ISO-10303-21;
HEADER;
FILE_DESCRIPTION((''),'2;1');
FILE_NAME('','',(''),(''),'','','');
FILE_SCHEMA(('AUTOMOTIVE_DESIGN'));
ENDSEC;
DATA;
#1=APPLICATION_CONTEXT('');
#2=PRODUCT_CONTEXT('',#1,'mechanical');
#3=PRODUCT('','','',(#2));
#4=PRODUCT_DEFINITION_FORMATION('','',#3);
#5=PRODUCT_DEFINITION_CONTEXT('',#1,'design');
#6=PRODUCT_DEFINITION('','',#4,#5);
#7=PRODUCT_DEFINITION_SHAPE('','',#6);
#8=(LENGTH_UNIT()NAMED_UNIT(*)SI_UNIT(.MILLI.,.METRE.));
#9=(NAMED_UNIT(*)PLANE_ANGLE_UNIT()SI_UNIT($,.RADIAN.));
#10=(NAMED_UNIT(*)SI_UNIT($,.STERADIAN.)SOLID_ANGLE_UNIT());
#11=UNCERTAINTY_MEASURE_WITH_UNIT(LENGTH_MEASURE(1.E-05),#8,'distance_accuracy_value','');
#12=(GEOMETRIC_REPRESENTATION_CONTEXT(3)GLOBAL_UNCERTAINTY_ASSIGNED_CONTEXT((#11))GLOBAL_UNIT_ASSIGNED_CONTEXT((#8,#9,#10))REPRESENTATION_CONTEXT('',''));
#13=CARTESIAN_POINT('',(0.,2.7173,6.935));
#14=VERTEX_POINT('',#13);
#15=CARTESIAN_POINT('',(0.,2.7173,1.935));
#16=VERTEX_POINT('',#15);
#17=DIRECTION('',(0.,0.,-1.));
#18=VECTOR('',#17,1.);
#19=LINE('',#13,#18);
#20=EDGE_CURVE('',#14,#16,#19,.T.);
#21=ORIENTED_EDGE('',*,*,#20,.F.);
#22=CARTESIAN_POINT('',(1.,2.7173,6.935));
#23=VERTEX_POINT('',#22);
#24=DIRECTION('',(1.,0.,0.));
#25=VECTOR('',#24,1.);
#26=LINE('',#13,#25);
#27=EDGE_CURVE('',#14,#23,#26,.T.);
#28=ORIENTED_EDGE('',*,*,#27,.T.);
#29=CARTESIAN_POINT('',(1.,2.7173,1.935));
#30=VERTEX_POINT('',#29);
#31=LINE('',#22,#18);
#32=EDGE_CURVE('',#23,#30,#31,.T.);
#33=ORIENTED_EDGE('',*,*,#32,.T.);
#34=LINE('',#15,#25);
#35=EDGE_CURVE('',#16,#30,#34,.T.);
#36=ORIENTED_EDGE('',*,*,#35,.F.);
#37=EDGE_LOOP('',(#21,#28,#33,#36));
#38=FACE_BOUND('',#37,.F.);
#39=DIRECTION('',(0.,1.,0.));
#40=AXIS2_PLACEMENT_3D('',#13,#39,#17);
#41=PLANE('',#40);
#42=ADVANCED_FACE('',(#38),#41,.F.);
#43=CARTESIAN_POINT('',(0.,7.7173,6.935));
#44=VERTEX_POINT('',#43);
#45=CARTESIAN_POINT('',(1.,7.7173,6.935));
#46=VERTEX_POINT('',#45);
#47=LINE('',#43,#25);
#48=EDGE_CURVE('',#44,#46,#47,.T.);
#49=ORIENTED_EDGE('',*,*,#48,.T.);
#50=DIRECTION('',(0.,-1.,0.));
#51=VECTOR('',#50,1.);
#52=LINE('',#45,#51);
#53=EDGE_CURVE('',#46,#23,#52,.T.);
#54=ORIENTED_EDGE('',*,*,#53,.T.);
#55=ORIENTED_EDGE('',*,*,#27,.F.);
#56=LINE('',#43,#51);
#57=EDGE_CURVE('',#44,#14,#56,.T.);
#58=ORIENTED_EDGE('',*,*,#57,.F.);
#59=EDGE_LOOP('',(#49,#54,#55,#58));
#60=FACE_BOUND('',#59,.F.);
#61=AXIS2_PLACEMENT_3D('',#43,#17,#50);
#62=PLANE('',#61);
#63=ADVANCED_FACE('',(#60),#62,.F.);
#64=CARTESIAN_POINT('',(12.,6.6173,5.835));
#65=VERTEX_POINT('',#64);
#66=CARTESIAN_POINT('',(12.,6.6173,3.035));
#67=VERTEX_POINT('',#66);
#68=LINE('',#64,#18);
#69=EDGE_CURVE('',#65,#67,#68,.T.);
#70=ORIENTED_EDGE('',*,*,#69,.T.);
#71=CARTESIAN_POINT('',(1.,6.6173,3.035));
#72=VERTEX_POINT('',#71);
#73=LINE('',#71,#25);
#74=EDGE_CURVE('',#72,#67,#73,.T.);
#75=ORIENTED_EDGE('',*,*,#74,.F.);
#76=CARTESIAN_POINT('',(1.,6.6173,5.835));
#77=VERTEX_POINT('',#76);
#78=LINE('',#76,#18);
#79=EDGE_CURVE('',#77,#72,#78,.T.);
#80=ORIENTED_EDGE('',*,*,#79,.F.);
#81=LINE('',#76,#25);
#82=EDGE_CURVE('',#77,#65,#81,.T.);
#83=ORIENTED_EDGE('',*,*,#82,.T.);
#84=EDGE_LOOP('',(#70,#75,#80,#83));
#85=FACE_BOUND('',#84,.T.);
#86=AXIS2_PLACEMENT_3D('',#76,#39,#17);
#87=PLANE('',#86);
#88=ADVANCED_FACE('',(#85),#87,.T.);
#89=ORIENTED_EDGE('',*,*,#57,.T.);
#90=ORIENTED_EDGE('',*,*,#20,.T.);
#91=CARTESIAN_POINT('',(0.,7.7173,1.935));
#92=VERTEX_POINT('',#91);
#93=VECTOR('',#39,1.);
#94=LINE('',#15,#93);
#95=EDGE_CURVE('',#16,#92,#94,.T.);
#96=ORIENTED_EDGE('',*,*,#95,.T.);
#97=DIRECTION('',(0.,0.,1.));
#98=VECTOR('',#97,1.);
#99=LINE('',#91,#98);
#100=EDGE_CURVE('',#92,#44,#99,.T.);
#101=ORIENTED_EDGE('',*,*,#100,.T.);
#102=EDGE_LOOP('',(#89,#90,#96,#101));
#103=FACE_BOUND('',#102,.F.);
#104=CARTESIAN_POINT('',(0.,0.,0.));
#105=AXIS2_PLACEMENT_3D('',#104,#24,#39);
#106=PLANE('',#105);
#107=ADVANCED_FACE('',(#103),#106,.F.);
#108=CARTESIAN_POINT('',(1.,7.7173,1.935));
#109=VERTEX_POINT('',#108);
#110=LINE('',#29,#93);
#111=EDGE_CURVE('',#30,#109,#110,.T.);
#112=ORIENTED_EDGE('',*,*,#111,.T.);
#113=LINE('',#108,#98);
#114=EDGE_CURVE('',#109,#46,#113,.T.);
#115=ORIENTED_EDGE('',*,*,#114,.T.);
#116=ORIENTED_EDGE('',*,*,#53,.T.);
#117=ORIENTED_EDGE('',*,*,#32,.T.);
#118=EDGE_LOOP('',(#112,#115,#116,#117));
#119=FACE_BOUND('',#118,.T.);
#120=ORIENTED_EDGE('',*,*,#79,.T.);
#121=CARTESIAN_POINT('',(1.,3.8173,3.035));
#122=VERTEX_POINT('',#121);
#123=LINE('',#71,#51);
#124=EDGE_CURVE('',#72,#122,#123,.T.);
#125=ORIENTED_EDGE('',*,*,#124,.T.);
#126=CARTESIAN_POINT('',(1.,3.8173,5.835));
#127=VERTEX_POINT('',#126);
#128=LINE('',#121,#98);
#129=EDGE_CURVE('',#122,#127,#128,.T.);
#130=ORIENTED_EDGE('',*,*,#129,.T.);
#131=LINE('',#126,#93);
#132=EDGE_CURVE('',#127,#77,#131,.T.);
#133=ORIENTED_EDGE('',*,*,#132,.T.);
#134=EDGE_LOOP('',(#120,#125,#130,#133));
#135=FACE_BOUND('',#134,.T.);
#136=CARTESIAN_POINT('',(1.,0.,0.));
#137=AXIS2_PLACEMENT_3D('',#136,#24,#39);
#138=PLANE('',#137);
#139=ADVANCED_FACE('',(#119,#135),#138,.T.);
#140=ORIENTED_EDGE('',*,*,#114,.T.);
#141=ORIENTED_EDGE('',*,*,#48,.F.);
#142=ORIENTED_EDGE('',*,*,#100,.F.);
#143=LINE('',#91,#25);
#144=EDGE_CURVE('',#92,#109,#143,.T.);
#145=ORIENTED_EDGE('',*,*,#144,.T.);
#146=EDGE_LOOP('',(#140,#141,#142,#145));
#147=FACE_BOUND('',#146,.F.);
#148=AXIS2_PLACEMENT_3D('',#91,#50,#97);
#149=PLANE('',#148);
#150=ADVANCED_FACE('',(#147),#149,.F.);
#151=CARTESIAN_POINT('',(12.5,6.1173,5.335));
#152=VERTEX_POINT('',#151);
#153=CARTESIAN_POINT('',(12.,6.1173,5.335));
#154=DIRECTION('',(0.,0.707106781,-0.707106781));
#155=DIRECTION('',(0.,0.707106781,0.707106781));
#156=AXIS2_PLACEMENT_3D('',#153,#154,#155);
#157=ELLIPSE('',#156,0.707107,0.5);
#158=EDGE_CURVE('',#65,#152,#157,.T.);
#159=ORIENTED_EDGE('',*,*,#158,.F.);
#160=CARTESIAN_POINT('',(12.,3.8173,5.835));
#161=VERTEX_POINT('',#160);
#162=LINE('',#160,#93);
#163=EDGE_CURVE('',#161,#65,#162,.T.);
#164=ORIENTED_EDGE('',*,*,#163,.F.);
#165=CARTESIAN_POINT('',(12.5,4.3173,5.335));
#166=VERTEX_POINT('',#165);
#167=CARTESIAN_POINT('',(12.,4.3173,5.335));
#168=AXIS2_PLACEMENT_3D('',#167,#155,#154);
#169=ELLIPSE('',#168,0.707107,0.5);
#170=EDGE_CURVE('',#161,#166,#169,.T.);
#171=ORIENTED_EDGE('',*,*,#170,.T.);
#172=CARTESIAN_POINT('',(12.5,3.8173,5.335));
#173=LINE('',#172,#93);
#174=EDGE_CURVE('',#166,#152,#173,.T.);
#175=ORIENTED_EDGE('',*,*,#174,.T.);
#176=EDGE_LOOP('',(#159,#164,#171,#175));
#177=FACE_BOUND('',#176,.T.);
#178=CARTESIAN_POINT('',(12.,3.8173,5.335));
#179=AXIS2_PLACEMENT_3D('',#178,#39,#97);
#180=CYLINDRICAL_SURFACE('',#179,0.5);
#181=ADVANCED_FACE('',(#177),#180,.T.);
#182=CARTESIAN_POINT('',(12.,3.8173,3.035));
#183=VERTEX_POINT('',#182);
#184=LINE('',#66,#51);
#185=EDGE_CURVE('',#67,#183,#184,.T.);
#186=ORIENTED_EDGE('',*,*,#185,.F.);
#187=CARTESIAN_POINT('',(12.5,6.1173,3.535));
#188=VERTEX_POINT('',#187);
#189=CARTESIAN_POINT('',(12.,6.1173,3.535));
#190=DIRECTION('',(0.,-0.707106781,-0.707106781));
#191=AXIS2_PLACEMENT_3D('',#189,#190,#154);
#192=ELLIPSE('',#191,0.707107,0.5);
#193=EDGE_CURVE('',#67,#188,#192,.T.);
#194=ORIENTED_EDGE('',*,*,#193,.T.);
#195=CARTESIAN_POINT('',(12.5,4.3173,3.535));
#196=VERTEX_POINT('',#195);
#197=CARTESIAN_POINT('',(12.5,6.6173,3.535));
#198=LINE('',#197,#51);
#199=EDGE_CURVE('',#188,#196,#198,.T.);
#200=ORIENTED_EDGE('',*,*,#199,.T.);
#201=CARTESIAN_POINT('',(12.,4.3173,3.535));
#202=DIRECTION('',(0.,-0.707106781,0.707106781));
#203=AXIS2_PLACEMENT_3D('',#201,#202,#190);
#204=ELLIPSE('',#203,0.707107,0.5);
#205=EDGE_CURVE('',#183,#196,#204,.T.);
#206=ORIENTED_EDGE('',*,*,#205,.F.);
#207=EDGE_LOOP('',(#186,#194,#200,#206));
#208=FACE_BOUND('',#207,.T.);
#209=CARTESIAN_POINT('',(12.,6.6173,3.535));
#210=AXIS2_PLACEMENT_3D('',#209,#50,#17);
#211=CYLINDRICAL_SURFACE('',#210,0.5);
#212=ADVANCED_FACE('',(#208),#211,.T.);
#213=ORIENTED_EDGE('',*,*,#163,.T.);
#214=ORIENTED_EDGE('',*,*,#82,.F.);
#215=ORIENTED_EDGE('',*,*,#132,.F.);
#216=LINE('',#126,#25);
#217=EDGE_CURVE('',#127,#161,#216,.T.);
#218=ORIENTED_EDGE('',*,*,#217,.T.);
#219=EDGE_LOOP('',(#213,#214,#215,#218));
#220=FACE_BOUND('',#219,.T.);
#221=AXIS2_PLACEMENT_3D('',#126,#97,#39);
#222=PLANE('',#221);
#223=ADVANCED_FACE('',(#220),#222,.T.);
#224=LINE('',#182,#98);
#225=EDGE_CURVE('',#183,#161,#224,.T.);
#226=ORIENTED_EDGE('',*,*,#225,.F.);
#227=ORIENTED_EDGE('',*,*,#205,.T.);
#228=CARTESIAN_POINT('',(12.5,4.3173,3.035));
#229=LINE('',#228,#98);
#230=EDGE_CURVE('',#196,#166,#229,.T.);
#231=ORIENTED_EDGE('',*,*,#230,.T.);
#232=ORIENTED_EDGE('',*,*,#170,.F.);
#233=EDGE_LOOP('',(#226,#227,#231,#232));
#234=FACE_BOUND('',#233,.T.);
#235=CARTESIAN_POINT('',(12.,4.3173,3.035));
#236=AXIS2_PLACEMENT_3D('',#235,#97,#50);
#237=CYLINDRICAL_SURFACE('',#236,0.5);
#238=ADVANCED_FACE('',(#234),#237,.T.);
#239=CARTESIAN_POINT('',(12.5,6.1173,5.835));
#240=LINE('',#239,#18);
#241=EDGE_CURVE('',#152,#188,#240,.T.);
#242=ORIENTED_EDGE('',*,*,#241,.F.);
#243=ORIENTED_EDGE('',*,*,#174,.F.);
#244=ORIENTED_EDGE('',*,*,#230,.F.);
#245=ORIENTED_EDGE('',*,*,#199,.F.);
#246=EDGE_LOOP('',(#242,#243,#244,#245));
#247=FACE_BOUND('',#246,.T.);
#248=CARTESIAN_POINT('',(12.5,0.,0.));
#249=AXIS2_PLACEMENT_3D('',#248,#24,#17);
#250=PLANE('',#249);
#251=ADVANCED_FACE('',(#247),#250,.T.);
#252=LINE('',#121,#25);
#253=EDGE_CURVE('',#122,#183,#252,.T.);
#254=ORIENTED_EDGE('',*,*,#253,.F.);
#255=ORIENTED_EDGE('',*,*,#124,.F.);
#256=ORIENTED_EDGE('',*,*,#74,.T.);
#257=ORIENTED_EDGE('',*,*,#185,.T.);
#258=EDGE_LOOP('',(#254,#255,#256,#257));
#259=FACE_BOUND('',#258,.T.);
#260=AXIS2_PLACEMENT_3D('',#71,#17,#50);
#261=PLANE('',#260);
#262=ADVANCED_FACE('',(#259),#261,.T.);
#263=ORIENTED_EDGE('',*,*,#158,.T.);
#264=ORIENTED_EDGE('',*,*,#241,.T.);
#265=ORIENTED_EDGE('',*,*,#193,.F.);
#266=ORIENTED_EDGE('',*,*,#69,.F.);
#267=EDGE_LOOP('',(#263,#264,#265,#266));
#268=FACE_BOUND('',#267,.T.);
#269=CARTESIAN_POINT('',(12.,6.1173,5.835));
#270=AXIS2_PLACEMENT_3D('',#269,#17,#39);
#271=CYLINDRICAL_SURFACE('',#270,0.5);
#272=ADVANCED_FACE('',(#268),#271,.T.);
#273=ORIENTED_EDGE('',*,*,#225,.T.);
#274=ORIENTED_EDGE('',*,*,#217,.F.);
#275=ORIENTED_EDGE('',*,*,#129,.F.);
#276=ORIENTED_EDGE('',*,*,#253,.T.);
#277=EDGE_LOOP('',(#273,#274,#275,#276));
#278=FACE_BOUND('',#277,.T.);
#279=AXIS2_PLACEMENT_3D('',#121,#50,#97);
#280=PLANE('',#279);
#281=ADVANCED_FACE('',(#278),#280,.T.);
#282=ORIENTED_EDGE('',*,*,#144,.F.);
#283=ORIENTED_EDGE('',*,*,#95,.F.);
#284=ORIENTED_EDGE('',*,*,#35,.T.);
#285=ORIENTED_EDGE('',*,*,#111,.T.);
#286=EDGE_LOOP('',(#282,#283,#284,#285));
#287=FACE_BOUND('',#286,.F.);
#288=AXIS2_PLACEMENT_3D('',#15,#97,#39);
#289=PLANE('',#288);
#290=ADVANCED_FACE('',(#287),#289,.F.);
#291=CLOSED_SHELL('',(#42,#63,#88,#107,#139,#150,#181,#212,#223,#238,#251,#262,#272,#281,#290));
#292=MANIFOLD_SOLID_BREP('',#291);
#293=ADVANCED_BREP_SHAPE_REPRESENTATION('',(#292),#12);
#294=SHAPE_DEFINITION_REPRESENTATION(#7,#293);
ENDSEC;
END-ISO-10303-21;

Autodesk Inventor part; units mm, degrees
ref_plane "YZ Plane" through (0, 0, 0) normal (1, 0, 0) x (0, 1, 0)
ref_plane "XZ Plane" through (0, 0, 0) normal (0, 1, 0) x (-1, 0, 0)
ref_plane "XY Plane" through (0, 0, 0) normal (0, 0, 1) x (1, 0, 0)
sketch "Sketch1" plane through (0, 0, 0) normal (1, 0, 0) x (0, 1, 0)
  line L0 (7.7173, 6.935) -> (2.7173, 6.935)
  line L1 (2.7173, 6.935) -> (2.7173, 1.935)
  line L2 (2.7173, 1.935) -> (7.7173, 1.935)
  line L3 (7.7173, 1.935) -> (7.7173, 6.935)
  point P0 (0, 0)
  dimension "d0" = 5
  dimension "d1" = 5
extrude "Extrusion1" add sketch "Sketch1" along normal blind 1
sketch "Sketch2" plane through (1, 0, 0) normal (1, 0, 0) x (0, 0, -1)
  line L0 (-5.835, 6.6173) -> (-3.035, 6.6173)
  line L1 (-3.035, 6.6173) -> (-3.035, 3.8173)
  line L2 (-3.035, 3.8173) -> (-5.835, 3.8173)
  line L3 (-5.835, 3.8173) -> (-5.835, 6.6173)
  line L4 (-1.935, 7.7173) -> (-6.935, 7.7173) projected
  line L5 (-6.935, 7.7173) -> (-6.935, 2.7173) projected
  point P0 (0, 0)
  point P1 (-5.835, 5.2173)
  point P2 (-6.935, 5.2173)
  dimension "d4" = 2.8
  dimension "d5" = 2.8
  dimension "d6" = 1.1
  dimension "d7" = 1.1
extrude "Extrusion2" add sketch "Sketch2" along normal blind 11.5
fillet "Fillet1" radius 0.5 4 edges at (12.5, 5.2173, 5.835) (12.5, 6.6173, 4.435) (12.5, 5.2173, 3.035) (12.5, 3.8173, 4.435)
properties part number "Enclosure_Button"
